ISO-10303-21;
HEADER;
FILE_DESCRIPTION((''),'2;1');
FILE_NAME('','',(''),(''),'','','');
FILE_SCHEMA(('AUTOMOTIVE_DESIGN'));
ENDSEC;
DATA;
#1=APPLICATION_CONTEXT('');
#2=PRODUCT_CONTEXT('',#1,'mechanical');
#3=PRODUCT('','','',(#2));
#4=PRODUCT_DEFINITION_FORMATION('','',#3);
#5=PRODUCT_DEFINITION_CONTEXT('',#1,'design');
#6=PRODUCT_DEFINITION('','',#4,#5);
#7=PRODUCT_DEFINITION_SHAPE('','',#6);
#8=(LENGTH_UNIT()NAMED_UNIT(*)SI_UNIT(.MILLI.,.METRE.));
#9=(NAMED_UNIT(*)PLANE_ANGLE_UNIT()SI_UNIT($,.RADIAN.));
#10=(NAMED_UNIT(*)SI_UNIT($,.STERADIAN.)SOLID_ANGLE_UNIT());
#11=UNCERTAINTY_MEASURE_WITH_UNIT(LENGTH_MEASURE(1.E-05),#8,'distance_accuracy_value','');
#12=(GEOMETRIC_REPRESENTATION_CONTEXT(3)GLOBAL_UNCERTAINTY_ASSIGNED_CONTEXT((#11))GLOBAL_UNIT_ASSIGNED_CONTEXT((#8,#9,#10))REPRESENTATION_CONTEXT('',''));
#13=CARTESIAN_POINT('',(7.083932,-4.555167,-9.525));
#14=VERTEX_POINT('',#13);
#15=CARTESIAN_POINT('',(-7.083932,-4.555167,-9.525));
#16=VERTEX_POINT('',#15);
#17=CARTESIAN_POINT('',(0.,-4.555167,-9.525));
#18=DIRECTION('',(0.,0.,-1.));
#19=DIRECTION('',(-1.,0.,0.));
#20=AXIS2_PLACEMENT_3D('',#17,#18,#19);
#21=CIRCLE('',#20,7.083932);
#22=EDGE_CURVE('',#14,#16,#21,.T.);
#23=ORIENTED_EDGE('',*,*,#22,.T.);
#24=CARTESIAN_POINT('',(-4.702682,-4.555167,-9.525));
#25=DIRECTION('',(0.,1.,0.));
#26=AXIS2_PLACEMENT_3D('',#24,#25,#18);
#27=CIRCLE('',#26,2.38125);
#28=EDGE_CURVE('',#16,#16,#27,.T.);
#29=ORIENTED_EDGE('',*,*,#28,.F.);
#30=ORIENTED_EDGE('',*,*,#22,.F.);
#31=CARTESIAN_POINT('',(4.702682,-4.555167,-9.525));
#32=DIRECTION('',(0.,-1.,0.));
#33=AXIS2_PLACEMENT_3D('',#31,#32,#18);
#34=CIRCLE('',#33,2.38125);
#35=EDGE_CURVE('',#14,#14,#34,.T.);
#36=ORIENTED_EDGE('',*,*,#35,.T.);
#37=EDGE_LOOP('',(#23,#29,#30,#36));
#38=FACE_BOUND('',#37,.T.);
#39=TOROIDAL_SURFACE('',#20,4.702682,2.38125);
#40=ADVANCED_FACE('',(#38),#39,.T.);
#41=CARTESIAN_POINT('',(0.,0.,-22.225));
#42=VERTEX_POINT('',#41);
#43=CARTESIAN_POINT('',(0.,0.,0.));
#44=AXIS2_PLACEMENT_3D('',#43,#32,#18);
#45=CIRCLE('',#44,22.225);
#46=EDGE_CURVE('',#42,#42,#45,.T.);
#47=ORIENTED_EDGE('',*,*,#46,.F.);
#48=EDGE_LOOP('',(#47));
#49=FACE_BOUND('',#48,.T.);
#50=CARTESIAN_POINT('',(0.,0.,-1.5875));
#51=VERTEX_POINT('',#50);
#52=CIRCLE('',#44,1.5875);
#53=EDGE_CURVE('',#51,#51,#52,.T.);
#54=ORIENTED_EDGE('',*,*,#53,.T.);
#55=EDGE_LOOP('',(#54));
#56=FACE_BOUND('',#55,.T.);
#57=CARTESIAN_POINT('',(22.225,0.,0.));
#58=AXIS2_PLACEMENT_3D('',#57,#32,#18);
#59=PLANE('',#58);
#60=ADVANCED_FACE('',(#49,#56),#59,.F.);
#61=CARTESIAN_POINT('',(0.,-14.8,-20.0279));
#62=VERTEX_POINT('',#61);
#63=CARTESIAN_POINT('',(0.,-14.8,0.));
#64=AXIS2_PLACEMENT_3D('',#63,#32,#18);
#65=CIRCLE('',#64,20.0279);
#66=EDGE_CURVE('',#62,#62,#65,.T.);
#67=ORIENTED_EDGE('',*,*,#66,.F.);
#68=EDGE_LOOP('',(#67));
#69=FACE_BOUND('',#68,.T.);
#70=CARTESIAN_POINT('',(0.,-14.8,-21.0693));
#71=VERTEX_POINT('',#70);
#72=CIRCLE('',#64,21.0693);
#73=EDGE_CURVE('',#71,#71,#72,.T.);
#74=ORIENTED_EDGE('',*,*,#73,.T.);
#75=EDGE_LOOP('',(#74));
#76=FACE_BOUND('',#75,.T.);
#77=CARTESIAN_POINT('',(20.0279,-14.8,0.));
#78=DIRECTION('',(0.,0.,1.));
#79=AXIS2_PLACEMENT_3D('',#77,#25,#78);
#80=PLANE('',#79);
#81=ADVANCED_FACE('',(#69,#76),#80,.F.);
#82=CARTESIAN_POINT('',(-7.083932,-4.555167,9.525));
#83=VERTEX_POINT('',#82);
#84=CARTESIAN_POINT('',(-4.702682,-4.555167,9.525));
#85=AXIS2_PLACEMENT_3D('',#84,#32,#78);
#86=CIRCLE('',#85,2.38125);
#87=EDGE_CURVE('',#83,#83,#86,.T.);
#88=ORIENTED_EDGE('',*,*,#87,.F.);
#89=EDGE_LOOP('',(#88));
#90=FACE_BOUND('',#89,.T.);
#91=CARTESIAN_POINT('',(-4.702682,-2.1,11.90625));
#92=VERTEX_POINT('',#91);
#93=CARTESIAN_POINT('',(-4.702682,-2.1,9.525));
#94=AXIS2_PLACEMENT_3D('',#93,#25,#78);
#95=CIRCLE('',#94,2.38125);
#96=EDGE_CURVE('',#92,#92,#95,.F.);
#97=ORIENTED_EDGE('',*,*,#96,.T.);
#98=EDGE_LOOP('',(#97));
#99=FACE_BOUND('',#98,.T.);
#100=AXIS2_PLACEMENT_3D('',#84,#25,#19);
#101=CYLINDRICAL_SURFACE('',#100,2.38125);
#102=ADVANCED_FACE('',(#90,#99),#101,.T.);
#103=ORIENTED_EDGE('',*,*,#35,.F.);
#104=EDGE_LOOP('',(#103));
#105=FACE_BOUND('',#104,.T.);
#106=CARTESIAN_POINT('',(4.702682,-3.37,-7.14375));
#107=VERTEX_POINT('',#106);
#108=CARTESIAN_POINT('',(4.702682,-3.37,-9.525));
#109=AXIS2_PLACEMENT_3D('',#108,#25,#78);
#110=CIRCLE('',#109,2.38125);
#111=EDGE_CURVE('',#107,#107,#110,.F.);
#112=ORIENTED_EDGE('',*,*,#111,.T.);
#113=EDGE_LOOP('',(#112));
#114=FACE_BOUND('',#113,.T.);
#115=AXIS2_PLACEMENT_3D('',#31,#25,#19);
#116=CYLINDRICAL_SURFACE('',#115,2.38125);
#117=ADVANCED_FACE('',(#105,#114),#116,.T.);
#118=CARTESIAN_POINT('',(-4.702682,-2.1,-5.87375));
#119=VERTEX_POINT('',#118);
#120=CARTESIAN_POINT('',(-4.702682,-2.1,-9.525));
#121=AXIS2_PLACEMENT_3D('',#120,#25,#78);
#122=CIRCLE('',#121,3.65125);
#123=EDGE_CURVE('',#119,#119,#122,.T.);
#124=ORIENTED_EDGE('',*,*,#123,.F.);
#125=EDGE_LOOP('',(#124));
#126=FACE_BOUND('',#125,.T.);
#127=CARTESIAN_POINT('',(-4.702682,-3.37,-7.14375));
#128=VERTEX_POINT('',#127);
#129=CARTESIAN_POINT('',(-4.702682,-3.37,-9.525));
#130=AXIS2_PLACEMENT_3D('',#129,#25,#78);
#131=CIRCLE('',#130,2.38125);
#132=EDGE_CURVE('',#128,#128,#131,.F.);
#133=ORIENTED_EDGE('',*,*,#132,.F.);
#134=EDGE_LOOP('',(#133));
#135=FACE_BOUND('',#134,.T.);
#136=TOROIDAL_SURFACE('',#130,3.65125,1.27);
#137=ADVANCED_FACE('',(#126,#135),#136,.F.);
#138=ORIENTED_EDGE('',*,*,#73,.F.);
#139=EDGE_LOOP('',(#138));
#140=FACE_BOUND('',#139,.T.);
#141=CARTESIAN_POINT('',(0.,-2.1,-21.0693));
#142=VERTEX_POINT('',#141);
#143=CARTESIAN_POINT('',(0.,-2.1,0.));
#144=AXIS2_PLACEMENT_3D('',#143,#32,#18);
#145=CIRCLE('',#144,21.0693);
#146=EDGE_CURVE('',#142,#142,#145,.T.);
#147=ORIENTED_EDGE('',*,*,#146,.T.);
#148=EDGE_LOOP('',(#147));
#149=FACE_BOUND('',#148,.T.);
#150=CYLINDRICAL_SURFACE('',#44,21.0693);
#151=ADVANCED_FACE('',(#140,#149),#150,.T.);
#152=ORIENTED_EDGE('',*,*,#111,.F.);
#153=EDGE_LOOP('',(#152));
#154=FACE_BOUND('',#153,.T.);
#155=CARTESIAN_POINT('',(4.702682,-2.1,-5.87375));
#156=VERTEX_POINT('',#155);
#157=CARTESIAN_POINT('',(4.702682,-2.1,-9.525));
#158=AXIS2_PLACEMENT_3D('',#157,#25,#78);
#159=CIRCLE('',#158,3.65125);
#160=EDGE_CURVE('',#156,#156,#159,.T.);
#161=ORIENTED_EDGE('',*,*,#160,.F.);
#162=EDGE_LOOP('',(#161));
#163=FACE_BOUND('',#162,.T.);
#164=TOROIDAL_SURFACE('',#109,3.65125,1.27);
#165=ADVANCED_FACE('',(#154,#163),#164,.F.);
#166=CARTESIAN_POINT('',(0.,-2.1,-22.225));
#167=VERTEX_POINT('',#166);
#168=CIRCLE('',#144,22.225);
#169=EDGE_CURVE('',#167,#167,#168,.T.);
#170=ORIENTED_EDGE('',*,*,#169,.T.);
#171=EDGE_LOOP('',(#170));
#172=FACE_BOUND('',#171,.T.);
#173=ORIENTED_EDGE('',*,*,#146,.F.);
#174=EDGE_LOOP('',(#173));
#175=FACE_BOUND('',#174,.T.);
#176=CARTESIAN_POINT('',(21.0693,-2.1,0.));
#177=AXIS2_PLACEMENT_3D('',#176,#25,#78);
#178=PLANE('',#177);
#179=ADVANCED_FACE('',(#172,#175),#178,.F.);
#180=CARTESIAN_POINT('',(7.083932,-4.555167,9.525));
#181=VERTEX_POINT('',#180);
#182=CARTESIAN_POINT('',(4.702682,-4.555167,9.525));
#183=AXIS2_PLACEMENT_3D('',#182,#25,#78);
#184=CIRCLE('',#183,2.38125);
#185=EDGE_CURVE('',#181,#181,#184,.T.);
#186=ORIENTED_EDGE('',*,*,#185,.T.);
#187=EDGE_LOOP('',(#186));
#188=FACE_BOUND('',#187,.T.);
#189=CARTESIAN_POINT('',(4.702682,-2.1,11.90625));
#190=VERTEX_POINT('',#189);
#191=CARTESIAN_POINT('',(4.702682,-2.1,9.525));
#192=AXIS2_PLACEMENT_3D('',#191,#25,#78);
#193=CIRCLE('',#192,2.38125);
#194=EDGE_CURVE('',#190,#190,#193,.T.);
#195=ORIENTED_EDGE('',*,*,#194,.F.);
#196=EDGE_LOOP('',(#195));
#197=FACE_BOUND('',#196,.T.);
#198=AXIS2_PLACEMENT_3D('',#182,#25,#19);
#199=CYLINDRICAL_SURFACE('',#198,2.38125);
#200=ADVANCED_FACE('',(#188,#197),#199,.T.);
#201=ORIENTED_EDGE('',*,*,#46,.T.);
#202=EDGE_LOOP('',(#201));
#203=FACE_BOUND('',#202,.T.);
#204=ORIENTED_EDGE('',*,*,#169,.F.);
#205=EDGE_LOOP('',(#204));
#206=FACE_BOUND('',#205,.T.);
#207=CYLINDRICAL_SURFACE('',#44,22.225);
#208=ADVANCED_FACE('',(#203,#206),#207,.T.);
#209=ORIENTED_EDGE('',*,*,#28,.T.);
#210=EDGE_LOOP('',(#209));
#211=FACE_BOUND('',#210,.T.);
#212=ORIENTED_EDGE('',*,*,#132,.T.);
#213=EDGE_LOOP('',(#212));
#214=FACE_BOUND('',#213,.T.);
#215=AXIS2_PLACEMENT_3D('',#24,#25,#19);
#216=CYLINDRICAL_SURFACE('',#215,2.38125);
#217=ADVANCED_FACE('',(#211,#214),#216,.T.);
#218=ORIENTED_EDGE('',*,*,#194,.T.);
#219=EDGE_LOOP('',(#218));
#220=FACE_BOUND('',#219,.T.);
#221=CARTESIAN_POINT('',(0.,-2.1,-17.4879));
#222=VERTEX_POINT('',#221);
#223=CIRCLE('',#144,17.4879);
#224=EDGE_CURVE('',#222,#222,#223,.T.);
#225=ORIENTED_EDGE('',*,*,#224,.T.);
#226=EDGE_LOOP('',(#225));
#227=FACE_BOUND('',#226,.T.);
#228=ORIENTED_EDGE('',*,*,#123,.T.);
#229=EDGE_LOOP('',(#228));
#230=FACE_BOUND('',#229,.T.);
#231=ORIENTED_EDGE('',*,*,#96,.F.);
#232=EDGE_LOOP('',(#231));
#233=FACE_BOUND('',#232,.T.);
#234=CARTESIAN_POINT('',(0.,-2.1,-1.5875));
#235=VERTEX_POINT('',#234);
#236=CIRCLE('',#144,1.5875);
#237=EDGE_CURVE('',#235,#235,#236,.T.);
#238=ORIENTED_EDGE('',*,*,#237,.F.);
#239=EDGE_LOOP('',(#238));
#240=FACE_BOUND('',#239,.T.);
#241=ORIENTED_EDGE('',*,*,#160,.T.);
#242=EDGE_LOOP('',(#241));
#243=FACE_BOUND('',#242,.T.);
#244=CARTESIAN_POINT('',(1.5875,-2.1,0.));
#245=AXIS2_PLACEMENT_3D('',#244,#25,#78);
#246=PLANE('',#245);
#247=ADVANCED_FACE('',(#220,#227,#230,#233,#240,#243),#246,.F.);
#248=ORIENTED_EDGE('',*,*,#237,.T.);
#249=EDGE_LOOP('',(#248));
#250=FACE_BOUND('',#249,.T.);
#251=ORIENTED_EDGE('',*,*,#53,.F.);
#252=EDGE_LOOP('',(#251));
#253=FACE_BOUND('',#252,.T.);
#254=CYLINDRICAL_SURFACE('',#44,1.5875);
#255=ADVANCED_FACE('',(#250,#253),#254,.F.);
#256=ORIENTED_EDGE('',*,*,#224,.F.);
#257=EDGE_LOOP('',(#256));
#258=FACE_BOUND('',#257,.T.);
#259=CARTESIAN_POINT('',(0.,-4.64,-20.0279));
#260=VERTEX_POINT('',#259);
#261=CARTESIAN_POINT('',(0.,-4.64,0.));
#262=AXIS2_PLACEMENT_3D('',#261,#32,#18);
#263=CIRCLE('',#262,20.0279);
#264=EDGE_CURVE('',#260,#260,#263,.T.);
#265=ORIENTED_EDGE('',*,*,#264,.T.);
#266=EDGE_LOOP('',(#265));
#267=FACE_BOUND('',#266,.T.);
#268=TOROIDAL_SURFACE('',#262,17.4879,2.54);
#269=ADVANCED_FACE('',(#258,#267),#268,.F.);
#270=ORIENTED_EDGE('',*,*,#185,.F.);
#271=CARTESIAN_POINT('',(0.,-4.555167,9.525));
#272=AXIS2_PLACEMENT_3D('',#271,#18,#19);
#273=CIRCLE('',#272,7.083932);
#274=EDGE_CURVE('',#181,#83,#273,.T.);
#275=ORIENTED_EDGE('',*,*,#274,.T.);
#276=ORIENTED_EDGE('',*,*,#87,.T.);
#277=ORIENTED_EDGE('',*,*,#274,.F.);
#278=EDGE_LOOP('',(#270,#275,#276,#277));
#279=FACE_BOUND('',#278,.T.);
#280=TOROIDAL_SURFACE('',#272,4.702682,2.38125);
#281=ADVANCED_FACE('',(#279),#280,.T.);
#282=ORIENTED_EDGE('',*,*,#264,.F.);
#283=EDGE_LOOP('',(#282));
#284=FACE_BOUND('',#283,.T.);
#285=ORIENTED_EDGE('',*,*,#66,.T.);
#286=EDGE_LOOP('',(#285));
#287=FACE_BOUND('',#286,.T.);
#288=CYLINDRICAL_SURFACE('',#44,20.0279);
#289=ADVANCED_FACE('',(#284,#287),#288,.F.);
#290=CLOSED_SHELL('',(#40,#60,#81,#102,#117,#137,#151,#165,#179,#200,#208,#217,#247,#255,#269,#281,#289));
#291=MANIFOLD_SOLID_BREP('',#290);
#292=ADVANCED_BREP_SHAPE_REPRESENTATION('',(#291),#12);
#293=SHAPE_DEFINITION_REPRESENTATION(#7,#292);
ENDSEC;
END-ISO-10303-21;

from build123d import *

# Parameters (mm, degrees)
SKETCH3_R = 2.38125
FILLET1_R = 1.27


with BuildPart() as part:
    # Sketch1 → Revolve1 (revolve)
    with BuildSketch(Plane.XY):
        with BuildLine():
            Line((-21.0693, -14.8), (-21.0693, -2.1))
            Line((-21.0693, -2.1), (-22.225, -2.1))
            Line((-22.225, -2.1), (-22.225, 0))
            Line((-22.225, 0), (-1.5875, 0))
            Line((-1.5875, 0), (-1.5875, -2.1))
            Line((-1.5875, -2.1), (-17.4879, -2.1))
            ThreePointArc((-17.4879, -2.1), (-19.283951224, -2.843948776), (-20.0279, -4.64))
            Line((-20.0279, -4.64), (-20.0279, -14.8))
            Line((-20.0279, -14.8), (-21.0693, -14.8))
        make_face()
    revolve(axis=Axis((0, 0, 0), (0, 1, 0)))

    # Sweep1: sweep along a path in Sketch2
    with BuildLine(Plane.XY.offset(-9.525)) as sweep1_path:
        Line((-1.5875, -2.1), (-1.5875, -4.555166767))
        ThreePointArc((-1.5875, -4.555166767), (0, -6.142666767), (1.5875, -4.555166767))
        Line((1.5875, -4.555166767), (1.5875, -2.1))
    # Sketch3 → Sweep1 (sweep)
    with BuildSketch(Plane.XZ.offset(2.1)):
        with Locations((4.702681807, -9.525)):
            Circle(SKETCH3_R)
    sweep1 = sweep(path=sweep1_path.line)

    # Fillet1
    fillet1_edges = [part.edges().sort_by_distance(p)[0] for p in [
        (2.321431807, -2.1, -9.525),
        (-2.321431807, -2.1, -9.525),
    ]]
    fillet(fillet1_edges, radius=FILLET1_R)

    # Mirror1: Sweep1 across plane
    add(sweep1.mirror(Plane.XY))


solid = part.part
